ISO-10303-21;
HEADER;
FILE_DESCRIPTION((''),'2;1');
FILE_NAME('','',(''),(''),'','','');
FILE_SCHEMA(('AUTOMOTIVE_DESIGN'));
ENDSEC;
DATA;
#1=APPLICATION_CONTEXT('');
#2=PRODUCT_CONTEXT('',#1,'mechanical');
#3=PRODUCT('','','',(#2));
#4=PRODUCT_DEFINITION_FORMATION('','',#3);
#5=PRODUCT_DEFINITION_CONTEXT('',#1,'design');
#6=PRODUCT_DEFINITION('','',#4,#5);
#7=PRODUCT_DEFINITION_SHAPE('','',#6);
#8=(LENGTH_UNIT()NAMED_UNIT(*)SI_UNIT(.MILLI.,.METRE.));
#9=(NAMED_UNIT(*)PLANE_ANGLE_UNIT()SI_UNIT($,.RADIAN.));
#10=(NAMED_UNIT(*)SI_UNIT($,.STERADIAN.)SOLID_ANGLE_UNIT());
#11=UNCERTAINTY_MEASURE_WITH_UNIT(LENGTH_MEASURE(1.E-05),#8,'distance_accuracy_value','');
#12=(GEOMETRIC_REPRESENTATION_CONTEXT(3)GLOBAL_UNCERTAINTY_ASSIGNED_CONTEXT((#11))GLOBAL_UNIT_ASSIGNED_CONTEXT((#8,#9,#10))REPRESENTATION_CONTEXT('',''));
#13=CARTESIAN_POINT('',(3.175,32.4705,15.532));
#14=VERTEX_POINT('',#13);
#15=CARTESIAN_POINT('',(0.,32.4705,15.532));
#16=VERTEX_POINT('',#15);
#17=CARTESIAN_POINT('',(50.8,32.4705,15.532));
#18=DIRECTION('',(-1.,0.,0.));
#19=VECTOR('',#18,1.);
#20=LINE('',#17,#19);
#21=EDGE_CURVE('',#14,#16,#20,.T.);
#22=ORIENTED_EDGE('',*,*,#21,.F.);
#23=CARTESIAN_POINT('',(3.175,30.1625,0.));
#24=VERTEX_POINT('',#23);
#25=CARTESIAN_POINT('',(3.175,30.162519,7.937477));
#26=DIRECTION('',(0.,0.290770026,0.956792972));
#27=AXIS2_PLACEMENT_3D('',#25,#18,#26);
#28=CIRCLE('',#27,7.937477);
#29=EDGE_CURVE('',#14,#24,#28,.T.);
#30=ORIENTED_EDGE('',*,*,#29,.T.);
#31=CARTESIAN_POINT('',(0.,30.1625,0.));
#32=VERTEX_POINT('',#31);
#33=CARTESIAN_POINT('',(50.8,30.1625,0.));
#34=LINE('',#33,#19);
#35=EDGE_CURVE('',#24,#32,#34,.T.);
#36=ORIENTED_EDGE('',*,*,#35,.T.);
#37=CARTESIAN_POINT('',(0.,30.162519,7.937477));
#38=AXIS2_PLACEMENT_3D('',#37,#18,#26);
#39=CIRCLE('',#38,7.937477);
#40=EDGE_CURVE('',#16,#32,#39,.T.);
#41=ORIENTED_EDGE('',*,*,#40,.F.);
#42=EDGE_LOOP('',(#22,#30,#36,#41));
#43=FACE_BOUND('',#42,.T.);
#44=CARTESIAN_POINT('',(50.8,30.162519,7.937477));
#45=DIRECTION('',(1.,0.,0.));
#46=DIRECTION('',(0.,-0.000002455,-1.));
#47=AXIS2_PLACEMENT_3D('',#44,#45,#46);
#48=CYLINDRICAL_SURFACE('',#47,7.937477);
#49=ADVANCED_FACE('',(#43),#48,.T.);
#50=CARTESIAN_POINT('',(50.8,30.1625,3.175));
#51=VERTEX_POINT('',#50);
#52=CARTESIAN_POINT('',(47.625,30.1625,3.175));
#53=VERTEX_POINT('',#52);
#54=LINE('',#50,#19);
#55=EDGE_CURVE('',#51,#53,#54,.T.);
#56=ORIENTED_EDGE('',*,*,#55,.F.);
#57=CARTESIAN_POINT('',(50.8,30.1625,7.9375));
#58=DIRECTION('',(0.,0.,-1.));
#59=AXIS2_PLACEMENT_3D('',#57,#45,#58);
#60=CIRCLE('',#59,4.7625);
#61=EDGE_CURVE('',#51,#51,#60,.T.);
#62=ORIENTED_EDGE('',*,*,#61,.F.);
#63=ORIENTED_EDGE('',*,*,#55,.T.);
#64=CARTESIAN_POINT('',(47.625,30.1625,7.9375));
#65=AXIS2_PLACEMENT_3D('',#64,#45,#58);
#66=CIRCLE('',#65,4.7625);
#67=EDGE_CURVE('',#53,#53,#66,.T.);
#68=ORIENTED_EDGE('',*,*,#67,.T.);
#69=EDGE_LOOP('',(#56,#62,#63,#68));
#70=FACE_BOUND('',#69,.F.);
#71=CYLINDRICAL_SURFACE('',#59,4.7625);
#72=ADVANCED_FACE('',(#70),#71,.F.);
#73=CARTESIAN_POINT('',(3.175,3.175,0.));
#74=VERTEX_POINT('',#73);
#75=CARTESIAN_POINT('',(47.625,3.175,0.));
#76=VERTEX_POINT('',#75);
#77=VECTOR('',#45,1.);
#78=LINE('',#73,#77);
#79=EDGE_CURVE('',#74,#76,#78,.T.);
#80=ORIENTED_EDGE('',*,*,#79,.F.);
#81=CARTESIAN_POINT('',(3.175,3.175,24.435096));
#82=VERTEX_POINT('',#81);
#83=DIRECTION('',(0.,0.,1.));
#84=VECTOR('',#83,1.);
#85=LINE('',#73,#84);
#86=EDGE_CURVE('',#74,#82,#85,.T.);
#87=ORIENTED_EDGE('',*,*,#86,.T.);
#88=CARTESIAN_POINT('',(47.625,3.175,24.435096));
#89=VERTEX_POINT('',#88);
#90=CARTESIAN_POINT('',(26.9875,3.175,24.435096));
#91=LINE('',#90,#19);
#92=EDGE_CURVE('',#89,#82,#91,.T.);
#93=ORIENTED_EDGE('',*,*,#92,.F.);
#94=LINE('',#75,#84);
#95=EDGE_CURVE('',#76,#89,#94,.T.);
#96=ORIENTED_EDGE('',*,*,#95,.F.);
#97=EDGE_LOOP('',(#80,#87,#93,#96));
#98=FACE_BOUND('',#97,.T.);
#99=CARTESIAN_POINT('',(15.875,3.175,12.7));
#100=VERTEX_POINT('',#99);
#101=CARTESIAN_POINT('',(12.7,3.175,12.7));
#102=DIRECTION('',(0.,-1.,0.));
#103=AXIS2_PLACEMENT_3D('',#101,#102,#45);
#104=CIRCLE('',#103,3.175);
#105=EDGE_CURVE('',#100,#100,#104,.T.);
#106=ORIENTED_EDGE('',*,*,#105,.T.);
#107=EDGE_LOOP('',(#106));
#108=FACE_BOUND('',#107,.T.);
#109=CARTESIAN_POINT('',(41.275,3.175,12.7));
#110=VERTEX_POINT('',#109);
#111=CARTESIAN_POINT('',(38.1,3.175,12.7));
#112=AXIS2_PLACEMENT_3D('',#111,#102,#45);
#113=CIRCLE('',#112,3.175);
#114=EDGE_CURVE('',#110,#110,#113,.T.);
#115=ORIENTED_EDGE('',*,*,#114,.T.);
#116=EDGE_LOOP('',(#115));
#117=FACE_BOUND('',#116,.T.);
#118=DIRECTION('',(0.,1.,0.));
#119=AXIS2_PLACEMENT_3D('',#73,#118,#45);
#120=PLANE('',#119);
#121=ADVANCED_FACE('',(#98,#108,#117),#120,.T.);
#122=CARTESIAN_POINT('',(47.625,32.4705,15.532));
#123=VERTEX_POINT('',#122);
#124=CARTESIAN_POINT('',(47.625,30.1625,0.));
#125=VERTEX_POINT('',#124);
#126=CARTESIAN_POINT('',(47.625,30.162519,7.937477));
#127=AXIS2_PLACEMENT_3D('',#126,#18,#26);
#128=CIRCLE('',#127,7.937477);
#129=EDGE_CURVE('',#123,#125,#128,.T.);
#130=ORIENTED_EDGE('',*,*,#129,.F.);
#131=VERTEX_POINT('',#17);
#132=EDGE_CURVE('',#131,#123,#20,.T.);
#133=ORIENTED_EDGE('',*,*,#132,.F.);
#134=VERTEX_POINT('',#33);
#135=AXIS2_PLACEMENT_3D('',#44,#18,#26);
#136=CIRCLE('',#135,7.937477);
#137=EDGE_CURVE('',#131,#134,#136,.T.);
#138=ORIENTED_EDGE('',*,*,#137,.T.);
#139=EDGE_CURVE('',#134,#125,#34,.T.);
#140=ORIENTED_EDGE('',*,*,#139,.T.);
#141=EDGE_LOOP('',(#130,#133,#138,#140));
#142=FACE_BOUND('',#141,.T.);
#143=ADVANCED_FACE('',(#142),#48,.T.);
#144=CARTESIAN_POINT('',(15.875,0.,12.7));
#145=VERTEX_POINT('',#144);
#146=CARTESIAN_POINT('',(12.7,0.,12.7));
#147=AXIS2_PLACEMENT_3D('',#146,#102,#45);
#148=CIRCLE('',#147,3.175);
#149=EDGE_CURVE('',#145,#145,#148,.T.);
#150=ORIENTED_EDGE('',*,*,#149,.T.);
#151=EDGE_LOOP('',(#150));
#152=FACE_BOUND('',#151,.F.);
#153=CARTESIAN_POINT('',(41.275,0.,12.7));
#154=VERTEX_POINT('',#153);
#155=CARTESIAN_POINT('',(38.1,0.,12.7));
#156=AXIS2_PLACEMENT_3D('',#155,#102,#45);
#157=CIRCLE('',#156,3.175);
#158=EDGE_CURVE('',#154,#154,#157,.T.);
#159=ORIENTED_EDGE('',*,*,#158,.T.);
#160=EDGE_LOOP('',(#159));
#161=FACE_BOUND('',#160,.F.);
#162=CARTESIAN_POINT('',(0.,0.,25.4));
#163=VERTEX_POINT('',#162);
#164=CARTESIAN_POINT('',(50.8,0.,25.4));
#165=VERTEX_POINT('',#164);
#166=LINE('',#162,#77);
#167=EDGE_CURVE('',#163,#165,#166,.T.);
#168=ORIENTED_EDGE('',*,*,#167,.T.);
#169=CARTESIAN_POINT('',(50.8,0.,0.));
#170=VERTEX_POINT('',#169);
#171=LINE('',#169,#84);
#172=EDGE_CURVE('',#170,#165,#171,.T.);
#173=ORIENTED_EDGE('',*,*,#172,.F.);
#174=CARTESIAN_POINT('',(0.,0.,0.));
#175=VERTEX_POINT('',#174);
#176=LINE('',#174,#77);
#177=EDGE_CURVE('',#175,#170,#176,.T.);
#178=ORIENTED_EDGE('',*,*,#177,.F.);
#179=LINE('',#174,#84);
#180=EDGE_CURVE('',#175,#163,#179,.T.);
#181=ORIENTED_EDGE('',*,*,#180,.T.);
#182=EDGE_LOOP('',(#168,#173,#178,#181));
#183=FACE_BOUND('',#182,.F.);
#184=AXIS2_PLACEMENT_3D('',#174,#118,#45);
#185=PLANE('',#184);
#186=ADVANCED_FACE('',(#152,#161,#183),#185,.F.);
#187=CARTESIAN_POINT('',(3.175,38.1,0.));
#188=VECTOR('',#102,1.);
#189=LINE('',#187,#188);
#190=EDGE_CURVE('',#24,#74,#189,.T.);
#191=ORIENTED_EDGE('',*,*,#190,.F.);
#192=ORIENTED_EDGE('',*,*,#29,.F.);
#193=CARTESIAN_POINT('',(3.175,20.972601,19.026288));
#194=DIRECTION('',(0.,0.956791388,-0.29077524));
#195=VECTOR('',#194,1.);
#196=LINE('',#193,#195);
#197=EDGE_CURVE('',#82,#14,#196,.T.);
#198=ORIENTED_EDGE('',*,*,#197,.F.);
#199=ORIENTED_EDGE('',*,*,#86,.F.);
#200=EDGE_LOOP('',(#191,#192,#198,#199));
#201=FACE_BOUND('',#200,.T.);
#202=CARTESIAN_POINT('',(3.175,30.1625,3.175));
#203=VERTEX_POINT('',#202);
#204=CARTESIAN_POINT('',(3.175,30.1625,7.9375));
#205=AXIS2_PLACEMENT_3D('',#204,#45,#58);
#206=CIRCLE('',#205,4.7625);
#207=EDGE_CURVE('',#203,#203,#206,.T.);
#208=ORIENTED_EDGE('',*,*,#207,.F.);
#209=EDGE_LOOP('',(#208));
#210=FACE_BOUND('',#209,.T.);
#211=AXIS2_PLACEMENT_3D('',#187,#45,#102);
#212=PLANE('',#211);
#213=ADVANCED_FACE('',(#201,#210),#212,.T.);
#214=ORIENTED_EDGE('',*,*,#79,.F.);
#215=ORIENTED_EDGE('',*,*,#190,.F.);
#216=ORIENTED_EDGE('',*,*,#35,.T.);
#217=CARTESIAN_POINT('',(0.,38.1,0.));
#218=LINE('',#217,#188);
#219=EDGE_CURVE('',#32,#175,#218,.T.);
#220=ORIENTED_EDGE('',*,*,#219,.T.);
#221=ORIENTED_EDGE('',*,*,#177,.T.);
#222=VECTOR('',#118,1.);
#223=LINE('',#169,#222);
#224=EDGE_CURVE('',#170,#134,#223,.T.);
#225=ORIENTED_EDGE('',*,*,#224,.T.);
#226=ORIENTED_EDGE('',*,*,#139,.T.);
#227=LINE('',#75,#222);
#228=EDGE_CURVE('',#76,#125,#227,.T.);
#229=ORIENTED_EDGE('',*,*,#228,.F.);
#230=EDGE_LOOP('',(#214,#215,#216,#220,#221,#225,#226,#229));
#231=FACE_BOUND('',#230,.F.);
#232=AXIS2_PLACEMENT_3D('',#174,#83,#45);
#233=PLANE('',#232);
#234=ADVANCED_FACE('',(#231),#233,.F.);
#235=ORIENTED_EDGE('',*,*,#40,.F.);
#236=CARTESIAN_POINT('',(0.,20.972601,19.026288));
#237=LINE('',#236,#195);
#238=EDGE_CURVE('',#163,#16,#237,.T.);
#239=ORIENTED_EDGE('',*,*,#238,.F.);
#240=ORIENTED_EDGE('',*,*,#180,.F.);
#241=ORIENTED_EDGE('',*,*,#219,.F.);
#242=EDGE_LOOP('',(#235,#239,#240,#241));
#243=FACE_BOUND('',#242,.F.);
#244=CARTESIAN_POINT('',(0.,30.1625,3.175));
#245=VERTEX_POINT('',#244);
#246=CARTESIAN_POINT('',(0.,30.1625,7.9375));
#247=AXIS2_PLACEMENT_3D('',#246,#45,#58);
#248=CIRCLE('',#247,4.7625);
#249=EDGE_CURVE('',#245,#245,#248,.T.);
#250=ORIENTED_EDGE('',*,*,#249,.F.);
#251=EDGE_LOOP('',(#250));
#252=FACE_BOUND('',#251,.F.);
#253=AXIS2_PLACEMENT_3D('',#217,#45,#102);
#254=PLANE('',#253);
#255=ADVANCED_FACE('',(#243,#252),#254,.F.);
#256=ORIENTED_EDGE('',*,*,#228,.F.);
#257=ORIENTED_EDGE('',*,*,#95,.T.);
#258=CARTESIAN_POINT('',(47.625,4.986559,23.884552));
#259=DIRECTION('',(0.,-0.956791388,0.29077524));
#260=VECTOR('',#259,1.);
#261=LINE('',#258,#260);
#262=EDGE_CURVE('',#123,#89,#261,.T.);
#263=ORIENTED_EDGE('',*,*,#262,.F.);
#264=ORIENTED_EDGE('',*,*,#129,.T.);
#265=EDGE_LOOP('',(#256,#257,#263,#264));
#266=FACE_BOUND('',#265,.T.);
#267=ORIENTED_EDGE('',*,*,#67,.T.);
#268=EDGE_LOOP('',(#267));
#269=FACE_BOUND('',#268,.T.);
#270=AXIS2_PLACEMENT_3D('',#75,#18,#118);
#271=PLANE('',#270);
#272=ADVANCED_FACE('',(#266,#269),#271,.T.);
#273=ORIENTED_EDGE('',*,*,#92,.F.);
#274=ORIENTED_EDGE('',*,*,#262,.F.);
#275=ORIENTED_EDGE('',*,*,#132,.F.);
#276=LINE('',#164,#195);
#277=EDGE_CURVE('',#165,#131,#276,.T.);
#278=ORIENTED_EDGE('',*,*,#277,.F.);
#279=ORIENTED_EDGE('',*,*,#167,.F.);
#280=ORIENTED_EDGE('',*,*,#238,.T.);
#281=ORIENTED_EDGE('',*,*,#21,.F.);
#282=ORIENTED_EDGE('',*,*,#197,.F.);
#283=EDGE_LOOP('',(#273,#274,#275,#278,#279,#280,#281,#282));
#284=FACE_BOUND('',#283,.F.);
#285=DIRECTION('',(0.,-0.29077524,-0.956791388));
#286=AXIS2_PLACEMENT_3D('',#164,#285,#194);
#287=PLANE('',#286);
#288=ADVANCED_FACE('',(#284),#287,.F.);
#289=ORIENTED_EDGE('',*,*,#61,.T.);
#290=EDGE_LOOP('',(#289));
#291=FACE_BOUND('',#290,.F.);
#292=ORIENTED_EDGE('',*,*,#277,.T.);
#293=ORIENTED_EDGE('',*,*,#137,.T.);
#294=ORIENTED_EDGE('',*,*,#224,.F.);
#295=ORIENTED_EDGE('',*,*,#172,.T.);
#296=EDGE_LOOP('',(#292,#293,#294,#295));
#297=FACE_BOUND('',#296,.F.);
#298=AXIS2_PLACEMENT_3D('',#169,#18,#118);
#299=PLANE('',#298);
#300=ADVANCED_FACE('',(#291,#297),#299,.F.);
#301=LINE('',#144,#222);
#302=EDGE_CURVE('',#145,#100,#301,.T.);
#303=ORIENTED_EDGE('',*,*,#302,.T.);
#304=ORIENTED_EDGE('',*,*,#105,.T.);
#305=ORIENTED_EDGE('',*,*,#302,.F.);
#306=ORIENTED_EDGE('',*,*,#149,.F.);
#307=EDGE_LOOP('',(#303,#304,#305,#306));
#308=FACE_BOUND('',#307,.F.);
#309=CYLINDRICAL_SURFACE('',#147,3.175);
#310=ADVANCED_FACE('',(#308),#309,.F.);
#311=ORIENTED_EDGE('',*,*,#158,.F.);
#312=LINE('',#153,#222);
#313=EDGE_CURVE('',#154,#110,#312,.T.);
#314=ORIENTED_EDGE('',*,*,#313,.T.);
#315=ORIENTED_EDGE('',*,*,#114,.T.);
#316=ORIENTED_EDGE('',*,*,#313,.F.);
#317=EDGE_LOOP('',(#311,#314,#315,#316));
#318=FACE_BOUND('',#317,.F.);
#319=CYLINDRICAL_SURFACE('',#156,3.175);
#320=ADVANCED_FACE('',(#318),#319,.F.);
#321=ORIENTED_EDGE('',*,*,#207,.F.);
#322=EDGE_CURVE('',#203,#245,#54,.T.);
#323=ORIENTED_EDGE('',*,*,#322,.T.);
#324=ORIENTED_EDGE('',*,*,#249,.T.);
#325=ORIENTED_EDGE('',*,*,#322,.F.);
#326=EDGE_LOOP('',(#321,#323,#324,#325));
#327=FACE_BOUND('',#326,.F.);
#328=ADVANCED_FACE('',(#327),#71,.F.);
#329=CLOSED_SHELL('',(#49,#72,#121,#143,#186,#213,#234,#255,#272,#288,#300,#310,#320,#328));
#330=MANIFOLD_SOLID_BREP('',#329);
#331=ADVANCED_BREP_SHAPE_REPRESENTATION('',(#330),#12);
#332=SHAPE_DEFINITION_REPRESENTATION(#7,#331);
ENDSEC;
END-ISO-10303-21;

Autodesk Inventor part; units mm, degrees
ref_plane "YZ Plane" through (0, 0, 0) normal (1, 0, 0) x (0, 1, 0)
ref_plane "XZ Plane" through (0, 0, 0) normal (0, 1, 0) x (-1, 0, 0)
ref_plane "XY Plane" through (0, 0, 0) normal (0, 0, 1) x (1, 0, 0)
sketch "Sketch1" plane through (0, 0, 0) normal (0, 0, 1) x (1, 0, 0)
  line L0 (0, 0) -> (50.8, 0)
  line L1 (50.8, 0) -> (50.8, 38.1)
  line L2 (0, 38.1) -> (0, 0)
  line L3 (3.175, 38.1) -> (3.175, 3.175)
  line L4 (3.175, 3.175) -> (47.625, 3.175)
  line L5 (47.625, 3.175) -> (47.625, 38.1)
  line L6 (50.8, 38.1) -> (47.625, 38.1)
  line L7 (3.175, 38.1) -> (0, 38.1)
  dimension "d0" = 38.1
  dimension "d1" = 50.8
  dimension "d2" = 3.175
  dimension "d3" = 3.175
  dimension "d4" = 3.175
extrude "Extrusion1" add sketch "Sketch1" along normal blind 25.4
sketch "Sketch2" plane through (50.8, 0, 0) normal (1, 0, 0) x (0, 0, -1)
  line L0 (-25.4, 38.1) -> (-25.4, 0) projected
  line L1 (0, 0) -> (-25.4, 0) projected
  line L2 (0, 0) -> (0, 38.1) projected
  line L3 (0, 38.1) -> (-25.4, 38.1) projected
  circle A0 centre (-7.9375, 30.1625) radius 4.7625
  arc A1 (0, 30.1625) -> (-15.532, 32.4705) centre (-7.9375, 30.1625) ccw
  line L4 (-25.4, 0) -> (-15.532, 32.4705)
  line L5 (0, 30.1625) -> (0, 0)
  dimension "d7" = 9.525
  dimension "d8" = 30.1625
  dimension "d9" = 17.4625
extrude "Extrusion2" cut sketch "Sketch2" against normal through all contours L3 A1 L4 L0 | L3 L2 A1 | A0
sketch "Sketch3" plane through (0, 0, 25.4) normal (0, -1, 0) x (1, 0, 0)
  line L0 (0, -25.4) -> (0, 0) projected
  line L1 (0, -25.4) -> (50.8, -25.4) projected
  line L2 (50.8, -25.4) -> (50.8, 0) projected
  circle A0 centre (12.7, -12.7) radius 3.175
  circle A1 centre (38.1, -12.7) radius 3.175
  dimension "d12" = 6.35
  dimension "d13" = 6.35
  dimension "d14" = 12.7
  dimension "d15" = 12.7
  dimension "d16" = 12.7
extrude "Extrusion3" cut sketch "Sketch3" against normal through all
equation "\"d3\" = d2"
equation "\"d4\" = d3"
equation "\"d13\" = d12"
equation "\"d15\" = d14"
equation "\"d16\" = d15"
properties part number "manipulator U bracket"
